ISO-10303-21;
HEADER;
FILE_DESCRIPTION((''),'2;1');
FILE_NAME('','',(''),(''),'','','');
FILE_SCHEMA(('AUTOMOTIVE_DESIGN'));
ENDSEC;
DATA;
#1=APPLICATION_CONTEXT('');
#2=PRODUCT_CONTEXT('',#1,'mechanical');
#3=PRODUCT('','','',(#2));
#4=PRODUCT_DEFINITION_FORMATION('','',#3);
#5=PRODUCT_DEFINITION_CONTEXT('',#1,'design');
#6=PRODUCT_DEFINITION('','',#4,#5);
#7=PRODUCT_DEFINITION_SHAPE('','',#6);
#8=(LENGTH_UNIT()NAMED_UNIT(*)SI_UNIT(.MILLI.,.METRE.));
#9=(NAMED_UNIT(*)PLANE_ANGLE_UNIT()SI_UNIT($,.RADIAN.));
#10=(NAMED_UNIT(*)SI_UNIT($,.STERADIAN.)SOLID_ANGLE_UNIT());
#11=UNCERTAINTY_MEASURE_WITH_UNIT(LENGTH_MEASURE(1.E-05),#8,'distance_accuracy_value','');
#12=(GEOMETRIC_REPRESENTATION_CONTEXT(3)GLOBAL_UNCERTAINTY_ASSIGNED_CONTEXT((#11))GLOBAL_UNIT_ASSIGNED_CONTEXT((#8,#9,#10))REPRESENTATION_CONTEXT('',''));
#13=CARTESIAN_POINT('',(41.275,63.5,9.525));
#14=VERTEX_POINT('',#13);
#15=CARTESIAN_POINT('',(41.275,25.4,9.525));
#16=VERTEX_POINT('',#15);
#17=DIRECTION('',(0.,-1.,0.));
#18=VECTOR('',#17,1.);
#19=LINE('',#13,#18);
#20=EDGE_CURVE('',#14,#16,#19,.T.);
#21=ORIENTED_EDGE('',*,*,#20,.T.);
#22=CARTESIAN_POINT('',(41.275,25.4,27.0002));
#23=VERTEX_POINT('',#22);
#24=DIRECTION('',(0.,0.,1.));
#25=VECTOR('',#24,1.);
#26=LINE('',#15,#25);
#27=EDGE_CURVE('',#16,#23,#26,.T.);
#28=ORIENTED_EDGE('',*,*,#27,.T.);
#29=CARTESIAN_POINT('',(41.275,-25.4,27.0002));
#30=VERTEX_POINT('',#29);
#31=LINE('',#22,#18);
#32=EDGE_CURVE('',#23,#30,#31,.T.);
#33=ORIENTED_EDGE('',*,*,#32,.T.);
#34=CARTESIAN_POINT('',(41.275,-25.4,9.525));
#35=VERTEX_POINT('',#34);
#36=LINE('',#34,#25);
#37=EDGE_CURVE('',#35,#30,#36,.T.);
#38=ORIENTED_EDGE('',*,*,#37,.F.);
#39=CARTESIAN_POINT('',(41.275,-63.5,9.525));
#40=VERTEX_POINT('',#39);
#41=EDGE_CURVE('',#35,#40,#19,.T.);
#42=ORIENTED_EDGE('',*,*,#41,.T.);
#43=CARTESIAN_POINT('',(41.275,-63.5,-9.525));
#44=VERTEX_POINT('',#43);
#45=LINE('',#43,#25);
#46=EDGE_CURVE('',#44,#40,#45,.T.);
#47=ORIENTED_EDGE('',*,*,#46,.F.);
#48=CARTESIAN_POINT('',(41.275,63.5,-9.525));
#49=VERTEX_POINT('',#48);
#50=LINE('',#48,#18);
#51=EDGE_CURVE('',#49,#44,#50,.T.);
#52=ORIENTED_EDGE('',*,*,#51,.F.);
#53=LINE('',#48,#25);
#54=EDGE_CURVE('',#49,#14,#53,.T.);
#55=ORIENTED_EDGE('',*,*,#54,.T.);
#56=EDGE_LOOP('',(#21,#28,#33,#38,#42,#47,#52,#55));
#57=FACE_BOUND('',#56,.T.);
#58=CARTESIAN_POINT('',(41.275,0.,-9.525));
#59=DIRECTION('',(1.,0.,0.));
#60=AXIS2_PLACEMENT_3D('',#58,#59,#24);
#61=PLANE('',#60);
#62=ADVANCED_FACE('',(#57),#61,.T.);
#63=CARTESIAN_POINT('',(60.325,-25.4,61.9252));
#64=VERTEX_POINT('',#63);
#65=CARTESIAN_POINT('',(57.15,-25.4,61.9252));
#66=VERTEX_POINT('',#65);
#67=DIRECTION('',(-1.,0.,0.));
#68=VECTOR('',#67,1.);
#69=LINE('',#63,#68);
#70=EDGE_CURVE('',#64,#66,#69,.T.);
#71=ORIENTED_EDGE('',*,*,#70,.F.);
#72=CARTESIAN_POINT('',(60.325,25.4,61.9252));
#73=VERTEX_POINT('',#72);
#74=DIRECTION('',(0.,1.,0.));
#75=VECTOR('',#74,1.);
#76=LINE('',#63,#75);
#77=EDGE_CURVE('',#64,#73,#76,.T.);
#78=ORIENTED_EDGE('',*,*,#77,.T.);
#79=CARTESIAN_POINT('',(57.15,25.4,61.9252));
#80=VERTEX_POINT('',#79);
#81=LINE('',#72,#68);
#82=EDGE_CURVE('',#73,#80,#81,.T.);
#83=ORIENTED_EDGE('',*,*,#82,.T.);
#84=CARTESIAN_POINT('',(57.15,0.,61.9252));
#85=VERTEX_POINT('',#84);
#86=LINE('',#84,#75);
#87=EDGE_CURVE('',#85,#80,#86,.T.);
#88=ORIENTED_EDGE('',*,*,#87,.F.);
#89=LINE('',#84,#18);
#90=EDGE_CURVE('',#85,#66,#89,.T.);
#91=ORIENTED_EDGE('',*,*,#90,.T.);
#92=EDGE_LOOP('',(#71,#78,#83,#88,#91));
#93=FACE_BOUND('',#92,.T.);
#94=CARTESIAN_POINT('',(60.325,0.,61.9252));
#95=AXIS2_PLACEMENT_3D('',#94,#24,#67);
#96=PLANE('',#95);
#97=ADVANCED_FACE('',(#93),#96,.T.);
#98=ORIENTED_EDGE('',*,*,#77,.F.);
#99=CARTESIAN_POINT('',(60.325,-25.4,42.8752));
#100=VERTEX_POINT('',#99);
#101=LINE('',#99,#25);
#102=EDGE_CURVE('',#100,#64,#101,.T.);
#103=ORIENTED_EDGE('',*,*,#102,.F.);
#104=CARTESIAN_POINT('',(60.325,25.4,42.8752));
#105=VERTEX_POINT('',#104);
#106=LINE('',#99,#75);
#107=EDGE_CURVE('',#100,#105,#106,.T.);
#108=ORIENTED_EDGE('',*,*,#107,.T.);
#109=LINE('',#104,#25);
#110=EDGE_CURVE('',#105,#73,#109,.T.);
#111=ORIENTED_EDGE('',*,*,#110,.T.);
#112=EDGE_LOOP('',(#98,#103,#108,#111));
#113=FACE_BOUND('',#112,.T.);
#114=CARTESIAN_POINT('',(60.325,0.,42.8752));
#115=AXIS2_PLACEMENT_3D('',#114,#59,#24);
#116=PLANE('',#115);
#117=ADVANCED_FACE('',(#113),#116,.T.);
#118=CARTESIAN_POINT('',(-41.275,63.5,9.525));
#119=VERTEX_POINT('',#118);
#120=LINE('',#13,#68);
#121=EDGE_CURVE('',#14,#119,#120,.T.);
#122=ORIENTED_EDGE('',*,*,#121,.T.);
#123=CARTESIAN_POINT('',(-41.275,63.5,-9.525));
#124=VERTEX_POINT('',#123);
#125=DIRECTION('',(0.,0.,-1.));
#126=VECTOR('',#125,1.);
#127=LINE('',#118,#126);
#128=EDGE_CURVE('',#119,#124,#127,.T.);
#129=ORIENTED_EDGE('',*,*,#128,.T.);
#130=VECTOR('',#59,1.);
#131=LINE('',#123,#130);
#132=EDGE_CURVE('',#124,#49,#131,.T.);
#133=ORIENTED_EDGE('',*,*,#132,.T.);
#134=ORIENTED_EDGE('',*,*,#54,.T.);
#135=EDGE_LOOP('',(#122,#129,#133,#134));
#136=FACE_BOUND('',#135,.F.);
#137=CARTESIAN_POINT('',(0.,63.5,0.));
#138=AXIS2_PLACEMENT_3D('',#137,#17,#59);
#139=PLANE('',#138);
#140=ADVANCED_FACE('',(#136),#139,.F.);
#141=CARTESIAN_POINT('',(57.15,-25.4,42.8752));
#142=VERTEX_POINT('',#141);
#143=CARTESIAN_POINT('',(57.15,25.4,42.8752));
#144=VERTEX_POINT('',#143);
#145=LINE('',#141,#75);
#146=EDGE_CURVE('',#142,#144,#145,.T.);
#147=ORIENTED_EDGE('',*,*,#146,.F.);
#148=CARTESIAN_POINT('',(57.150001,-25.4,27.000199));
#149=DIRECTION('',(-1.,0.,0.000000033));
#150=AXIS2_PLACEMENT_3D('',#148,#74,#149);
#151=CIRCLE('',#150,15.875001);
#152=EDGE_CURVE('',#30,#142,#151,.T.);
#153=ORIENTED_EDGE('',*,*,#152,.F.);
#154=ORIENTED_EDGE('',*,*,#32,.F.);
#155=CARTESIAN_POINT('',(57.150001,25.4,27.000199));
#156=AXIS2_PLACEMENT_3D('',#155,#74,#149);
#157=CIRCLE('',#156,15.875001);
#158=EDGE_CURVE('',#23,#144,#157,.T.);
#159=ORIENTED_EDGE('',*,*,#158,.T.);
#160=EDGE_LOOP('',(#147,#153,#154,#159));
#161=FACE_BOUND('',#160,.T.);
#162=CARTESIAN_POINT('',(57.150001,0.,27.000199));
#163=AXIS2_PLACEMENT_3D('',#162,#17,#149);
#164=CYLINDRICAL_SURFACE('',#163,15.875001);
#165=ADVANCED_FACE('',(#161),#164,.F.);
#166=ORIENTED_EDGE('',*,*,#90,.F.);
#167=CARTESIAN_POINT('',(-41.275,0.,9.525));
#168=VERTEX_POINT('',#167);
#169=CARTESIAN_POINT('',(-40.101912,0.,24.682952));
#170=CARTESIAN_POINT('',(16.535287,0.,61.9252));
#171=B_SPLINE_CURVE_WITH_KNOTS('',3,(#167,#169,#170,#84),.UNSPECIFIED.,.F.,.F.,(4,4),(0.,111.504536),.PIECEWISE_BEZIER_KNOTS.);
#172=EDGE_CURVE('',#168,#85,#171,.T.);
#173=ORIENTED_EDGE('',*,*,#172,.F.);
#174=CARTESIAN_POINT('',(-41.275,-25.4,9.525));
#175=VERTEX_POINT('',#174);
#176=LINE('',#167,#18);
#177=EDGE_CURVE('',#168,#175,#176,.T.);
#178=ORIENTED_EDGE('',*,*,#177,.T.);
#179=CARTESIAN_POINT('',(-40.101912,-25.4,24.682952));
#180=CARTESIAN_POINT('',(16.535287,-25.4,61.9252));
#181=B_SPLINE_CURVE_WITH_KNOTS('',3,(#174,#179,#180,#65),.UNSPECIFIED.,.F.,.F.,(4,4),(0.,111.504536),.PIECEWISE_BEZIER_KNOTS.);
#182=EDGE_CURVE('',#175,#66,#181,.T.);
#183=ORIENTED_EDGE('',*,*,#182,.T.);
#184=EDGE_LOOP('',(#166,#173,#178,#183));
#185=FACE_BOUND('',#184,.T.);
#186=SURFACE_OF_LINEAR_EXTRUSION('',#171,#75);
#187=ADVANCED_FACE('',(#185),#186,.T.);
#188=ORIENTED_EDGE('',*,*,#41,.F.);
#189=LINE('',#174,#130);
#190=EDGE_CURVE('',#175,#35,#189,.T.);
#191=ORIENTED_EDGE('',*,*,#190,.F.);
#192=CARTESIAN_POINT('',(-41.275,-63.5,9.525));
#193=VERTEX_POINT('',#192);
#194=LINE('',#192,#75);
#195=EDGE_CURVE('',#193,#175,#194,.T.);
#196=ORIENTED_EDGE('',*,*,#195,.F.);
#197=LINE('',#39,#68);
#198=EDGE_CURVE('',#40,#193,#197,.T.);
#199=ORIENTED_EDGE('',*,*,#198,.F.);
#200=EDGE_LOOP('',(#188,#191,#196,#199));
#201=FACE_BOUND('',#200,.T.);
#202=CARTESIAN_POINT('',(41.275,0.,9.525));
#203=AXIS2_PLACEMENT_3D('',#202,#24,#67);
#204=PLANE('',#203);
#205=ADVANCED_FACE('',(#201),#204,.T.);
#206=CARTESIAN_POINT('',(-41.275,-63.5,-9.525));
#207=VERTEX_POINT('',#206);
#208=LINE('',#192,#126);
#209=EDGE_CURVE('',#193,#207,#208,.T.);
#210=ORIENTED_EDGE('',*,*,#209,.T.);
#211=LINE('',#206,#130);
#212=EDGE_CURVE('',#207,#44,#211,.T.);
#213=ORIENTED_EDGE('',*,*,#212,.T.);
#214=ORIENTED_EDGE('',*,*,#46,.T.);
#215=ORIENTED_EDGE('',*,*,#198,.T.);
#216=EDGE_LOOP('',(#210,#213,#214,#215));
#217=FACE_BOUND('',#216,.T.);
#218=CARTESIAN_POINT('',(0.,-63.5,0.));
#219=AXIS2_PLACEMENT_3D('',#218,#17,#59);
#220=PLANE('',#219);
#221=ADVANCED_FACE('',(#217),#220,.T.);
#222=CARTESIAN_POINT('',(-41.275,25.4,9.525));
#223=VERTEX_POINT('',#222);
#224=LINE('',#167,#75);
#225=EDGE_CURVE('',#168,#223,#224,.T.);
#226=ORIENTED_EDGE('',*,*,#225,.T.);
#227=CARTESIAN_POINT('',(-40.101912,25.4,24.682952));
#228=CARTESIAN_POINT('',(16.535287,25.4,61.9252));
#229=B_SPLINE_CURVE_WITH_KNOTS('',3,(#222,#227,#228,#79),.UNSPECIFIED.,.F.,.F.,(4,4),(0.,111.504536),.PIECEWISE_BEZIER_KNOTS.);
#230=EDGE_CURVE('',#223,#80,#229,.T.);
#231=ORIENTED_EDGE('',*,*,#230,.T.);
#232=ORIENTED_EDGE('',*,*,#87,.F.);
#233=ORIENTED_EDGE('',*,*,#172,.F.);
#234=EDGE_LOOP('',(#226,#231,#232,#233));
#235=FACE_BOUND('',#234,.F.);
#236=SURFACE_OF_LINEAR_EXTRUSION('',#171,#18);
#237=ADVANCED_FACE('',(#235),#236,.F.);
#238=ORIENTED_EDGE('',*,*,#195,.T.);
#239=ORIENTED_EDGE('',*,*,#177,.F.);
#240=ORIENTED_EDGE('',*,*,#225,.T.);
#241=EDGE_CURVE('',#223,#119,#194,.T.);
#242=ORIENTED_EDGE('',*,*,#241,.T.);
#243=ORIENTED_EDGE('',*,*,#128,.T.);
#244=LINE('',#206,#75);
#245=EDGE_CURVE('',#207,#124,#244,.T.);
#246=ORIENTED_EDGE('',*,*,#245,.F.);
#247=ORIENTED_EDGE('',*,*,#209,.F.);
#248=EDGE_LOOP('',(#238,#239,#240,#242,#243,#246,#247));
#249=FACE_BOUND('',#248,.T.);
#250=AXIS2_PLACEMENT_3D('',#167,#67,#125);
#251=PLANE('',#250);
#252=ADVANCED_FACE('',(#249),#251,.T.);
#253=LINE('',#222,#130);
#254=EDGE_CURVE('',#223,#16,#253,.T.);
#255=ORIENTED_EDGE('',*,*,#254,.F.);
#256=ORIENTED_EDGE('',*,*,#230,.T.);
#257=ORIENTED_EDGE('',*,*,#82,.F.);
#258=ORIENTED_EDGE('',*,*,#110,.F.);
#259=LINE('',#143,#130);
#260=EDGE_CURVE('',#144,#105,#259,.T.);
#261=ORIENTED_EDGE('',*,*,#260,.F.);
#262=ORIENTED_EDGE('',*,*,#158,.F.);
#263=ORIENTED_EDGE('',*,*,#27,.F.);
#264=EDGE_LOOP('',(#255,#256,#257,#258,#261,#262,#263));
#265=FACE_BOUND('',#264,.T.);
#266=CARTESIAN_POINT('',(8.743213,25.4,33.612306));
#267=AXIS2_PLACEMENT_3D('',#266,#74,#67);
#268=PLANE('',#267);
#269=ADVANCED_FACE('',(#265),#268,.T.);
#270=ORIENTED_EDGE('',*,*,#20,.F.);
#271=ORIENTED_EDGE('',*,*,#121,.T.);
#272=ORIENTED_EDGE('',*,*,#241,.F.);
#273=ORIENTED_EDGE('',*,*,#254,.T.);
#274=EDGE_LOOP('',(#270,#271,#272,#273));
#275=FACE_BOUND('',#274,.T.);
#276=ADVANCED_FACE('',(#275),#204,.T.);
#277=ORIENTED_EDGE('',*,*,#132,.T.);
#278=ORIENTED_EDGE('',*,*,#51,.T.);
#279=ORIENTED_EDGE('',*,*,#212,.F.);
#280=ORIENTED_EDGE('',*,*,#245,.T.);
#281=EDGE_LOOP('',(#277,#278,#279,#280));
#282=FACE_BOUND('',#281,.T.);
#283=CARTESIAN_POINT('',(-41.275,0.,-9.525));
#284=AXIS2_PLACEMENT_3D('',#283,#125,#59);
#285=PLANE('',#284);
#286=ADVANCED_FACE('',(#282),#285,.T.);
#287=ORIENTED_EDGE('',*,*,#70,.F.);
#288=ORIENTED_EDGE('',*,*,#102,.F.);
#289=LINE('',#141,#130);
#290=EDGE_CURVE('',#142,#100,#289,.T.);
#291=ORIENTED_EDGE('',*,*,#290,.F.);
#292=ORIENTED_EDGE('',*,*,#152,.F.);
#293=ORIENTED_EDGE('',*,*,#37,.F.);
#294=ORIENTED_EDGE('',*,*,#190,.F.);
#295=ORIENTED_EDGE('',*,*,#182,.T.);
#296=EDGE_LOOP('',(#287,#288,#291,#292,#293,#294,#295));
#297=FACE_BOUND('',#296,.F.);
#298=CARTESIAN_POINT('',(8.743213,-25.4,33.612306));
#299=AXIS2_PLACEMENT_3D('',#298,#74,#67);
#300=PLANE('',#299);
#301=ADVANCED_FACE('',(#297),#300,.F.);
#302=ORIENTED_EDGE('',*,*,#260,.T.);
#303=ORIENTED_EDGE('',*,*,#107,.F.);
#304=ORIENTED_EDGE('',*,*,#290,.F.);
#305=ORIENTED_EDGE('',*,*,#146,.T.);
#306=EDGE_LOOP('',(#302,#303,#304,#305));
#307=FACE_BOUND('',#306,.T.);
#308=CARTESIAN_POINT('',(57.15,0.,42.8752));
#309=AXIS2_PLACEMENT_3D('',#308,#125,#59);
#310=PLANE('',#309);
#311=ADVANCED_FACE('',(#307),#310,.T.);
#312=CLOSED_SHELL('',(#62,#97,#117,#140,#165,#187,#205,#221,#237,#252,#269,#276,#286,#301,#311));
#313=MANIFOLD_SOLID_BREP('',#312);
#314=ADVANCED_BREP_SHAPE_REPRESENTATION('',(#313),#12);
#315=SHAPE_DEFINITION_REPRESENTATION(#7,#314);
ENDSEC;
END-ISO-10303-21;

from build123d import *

# Parameters (mm, degrees)
F1_DEPTH = 63.5
F2_DEPTH = 25.4


with BuildPart() as f1:
    # F0 (on Front) → F1 (new body, symmetric)
    with BuildSketch(Plane.XZ):
        Polygon((-41.275, -9.525), (41.275, -9.525), (41.275, 9.525), (22.225, 9.525), (-41.275, 9.525), align=None)
    extrude(amount=F1_DEPTH, both=True)

    # F0 (on Front) → F2 (join, symmetric)
    with BuildSketch(Plane.XZ):
        with BuildLine():
            add(Edge.make_bspline(
                [(-41.275, 9.525), (-40.101912, 24.682952), (16.535287, 61.9252), (57.15, 61.9252)],
                knots=[0, 0, 0, 0, 111.504536, 111.504536, 111.504536, 111.504536], degree=3))
            Line((-41.275, 9.525), (22.225, 9.525))
            Line((22.225, 9.525), (22.225, 27.0002))
            ThreePointArc((22.225, 27.0002), (32.454296, 51.695904), (57.15, 61.9252))
        make_face()
        with BuildLine():
            Line((22.225, 9.525), (41.275, 9.525))
            Line((41.275, 9.525), (41.275, 27.0002))
            ThreePointArc((41.275, 27.0002), (45.92468, 38.22552), (57.15, 42.8752))
            Line((57.15, 42.8752), (60.325, 42.8752))
            Line((60.325, 42.8752), (60.325, 61.9252))
            Line((60.325, 61.9252), (57.15, 61.9252))
            ThreePointArc((57.15, 61.9252), (32.454296, 51.695904), (22.225, 27.0002))
            Line((22.225, 27.0002), (22.225, 9.525))
        make_face()
    extrude(amount=F2_DEPTH, both=True)


solid = f1.part
